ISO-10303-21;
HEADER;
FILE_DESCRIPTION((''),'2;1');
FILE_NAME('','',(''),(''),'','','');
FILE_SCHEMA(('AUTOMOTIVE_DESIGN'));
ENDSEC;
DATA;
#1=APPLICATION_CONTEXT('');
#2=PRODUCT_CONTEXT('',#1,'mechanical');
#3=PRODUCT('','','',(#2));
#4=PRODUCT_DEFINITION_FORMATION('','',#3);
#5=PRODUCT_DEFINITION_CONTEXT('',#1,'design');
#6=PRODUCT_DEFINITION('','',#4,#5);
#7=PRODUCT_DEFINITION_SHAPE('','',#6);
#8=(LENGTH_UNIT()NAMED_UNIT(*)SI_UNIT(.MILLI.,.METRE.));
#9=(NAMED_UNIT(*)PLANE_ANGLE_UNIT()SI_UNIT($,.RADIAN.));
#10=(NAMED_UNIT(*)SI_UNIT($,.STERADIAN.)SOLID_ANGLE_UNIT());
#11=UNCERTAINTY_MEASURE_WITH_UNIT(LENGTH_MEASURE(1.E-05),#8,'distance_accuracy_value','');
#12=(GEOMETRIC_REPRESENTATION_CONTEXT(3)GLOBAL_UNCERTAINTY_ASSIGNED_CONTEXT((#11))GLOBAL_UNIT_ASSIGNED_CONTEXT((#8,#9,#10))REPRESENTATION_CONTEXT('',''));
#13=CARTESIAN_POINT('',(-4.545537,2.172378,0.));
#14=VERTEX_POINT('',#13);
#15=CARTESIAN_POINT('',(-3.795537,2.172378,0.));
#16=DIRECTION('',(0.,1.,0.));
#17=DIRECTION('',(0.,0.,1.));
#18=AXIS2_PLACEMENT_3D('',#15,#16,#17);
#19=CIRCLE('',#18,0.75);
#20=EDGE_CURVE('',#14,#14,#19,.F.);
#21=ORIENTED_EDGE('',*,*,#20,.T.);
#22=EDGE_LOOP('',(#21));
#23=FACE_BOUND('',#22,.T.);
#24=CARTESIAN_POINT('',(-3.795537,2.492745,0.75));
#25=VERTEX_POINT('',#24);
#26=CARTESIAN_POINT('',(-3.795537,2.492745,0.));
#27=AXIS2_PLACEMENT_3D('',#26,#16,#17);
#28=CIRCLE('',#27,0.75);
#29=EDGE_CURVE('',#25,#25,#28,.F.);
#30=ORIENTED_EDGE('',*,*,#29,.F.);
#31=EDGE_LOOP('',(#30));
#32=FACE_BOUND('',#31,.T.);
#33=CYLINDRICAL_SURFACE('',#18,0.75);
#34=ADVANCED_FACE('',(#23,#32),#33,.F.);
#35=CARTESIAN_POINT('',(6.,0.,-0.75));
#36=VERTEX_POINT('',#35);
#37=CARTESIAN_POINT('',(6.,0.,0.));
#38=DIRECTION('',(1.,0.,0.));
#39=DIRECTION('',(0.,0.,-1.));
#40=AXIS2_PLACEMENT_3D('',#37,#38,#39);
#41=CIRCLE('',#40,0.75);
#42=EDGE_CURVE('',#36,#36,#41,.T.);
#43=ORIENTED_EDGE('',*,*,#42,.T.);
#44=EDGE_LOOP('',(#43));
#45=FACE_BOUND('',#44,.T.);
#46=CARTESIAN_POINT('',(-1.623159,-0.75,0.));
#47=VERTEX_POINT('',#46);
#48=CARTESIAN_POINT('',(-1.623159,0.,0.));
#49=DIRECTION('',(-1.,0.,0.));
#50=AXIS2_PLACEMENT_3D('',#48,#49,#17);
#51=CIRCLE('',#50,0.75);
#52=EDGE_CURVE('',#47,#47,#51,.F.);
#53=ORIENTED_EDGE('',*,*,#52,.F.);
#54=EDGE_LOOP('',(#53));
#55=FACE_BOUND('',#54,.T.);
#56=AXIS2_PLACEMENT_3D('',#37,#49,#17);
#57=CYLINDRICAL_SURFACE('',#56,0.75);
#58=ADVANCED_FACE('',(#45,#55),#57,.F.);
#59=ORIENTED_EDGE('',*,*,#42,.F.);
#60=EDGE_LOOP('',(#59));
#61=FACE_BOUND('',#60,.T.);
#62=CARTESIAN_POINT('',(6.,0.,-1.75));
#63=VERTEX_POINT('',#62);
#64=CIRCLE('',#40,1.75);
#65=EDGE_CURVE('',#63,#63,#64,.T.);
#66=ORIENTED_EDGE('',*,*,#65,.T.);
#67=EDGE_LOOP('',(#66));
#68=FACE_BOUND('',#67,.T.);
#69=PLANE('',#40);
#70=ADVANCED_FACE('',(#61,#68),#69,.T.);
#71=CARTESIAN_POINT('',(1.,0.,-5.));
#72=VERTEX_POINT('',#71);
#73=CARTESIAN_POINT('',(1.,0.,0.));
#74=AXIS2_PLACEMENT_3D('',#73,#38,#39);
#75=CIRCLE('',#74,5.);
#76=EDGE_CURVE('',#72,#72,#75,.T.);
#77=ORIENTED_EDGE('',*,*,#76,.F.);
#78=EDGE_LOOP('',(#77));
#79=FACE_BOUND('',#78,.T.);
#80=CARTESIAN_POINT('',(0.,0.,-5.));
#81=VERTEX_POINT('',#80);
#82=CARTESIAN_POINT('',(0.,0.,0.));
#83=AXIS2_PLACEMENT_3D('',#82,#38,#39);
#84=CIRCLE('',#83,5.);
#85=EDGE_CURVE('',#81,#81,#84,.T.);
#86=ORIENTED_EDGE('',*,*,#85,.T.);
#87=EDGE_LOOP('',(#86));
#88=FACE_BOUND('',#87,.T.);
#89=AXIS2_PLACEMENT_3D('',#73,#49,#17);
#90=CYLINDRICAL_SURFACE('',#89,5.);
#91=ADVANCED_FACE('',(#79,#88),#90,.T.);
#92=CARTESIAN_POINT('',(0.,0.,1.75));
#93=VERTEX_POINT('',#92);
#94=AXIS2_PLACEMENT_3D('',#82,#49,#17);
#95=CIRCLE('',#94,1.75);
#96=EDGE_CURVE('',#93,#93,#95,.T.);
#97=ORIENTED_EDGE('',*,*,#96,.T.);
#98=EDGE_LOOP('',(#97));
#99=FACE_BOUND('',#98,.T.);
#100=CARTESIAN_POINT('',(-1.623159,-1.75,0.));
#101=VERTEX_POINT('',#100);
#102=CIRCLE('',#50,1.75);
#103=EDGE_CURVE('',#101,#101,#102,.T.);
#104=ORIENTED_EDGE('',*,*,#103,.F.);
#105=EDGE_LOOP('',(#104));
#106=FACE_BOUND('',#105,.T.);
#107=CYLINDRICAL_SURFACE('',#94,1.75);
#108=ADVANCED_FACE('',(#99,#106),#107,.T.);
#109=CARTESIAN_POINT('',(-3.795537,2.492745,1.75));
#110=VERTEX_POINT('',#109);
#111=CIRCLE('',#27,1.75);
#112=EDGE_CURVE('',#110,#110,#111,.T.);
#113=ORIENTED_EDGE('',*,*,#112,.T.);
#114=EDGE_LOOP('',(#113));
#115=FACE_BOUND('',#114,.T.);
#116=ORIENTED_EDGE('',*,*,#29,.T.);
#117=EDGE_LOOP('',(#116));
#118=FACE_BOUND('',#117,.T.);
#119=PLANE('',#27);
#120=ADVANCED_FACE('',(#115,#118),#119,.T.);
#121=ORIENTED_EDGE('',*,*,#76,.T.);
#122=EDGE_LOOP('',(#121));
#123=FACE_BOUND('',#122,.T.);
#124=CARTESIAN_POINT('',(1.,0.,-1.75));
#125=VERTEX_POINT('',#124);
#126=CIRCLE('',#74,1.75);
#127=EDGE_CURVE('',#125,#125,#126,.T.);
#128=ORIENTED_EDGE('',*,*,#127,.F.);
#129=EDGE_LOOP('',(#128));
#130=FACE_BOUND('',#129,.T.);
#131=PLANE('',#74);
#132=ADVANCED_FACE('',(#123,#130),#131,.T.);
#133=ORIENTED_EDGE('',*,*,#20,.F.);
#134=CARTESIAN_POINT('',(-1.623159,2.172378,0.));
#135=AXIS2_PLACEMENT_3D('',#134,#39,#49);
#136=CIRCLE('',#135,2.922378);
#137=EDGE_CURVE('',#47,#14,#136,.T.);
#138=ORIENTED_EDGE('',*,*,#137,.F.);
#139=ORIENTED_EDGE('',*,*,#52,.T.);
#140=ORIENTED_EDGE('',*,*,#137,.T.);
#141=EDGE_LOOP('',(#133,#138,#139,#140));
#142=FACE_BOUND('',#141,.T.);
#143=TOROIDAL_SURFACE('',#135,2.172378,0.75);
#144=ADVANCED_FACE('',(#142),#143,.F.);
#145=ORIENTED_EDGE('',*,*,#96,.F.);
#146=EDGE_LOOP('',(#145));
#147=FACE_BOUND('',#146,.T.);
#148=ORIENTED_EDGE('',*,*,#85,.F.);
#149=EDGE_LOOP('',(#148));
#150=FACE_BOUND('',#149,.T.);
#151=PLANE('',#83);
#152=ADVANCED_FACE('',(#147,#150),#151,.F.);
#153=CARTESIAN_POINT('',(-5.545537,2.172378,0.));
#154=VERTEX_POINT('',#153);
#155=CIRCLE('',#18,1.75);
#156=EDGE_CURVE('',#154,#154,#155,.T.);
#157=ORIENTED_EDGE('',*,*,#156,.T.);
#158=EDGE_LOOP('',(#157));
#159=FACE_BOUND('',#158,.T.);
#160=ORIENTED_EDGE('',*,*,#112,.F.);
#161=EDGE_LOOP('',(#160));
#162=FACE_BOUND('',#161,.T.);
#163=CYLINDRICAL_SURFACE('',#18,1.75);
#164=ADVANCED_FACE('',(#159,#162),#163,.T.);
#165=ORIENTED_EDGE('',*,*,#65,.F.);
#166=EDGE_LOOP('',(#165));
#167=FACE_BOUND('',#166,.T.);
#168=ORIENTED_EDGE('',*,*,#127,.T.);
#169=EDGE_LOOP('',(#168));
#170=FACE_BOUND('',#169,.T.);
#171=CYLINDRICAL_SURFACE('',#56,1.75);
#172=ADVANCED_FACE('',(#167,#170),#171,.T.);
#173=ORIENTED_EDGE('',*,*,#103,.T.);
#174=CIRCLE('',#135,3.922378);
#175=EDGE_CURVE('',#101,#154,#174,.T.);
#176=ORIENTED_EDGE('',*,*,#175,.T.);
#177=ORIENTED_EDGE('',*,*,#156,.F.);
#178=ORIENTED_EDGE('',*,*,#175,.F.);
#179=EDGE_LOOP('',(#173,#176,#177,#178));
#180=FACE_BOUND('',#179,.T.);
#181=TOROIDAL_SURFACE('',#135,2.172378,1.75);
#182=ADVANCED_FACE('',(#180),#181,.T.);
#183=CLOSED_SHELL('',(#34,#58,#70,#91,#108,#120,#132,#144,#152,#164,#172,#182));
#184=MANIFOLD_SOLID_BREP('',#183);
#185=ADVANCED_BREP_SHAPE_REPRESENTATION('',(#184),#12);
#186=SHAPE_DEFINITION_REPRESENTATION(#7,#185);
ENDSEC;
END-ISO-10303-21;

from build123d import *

# Parameters (mm, degrees)
SKETCH1_R           = 5
BOSS_EXTRUDE1_DEPTH = 1
SKETCH2_R           = 1.75
SKETCH2_R_2         = 0.75
BOSS_EXTRUDE2_DEPTH = 5
SKETCH4_R           = 0.75
CUT_EXTRUDE1_DEPTH  = 10
SKETCH5_R           = 1.75
SKETCH5_R_2         = 0.75


with BuildPart() as part:
    # Sketch1 → Boss-Extrude1 (new body)
    with BuildSketch(Plane(origin=(0, 0, 0), x_dir=(0, 0, -1), z_dir=(1, 0, 0))):
        Circle(SKETCH1_R)
    extrude(amount=BOSS_EXTRUDE1_DEPTH)

    # Sketch2 → Boss-Extrude2 (add)
    with BuildSketch(Plane(origin=(1, 0, 0), x_dir=(0, 0, -1), z_dir=(1, 0, 0))):
        Circle(SKETCH2_R)
        Circle(SKETCH2_R_2, mode=Mode.SUBTRACT)
    extrude(amount=BOSS_EXTRUDE2_DEPTH)

    # Sketch4 → Cut-Extrude1 (cut)
    with BuildSketch(Plane.ZY):
        Circle(SKETCH4_R)
    extrude(amount=-CUT_EXTRUDE1_DEPTH, mode=Mode.SUBTRACT)

    # Sweep5: sweep along a path in Sketch6
    with BuildLine(Plane.XY) as sweep5_path:
        Line((0, 1.75), (-1.62315873, 1.75))
        ThreePointArc((-1.62315873, 1.75), (-1.921825037, 1.873711635), (-2.045536672, 2.172377942))
        Line((-2.045536672, 2.172377942), (-2.045536672, 2.4927445))
    # Sketch5 → Sweep5 (sweep)
    with BuildSketch(Plane.ZY):
        Circle(SKETCH5_R)
        Circle(SKETCH5_R_2, mode=Mode.SUBTRACT)
    sweep(path=sweep5_path.line)


solid = part.part
